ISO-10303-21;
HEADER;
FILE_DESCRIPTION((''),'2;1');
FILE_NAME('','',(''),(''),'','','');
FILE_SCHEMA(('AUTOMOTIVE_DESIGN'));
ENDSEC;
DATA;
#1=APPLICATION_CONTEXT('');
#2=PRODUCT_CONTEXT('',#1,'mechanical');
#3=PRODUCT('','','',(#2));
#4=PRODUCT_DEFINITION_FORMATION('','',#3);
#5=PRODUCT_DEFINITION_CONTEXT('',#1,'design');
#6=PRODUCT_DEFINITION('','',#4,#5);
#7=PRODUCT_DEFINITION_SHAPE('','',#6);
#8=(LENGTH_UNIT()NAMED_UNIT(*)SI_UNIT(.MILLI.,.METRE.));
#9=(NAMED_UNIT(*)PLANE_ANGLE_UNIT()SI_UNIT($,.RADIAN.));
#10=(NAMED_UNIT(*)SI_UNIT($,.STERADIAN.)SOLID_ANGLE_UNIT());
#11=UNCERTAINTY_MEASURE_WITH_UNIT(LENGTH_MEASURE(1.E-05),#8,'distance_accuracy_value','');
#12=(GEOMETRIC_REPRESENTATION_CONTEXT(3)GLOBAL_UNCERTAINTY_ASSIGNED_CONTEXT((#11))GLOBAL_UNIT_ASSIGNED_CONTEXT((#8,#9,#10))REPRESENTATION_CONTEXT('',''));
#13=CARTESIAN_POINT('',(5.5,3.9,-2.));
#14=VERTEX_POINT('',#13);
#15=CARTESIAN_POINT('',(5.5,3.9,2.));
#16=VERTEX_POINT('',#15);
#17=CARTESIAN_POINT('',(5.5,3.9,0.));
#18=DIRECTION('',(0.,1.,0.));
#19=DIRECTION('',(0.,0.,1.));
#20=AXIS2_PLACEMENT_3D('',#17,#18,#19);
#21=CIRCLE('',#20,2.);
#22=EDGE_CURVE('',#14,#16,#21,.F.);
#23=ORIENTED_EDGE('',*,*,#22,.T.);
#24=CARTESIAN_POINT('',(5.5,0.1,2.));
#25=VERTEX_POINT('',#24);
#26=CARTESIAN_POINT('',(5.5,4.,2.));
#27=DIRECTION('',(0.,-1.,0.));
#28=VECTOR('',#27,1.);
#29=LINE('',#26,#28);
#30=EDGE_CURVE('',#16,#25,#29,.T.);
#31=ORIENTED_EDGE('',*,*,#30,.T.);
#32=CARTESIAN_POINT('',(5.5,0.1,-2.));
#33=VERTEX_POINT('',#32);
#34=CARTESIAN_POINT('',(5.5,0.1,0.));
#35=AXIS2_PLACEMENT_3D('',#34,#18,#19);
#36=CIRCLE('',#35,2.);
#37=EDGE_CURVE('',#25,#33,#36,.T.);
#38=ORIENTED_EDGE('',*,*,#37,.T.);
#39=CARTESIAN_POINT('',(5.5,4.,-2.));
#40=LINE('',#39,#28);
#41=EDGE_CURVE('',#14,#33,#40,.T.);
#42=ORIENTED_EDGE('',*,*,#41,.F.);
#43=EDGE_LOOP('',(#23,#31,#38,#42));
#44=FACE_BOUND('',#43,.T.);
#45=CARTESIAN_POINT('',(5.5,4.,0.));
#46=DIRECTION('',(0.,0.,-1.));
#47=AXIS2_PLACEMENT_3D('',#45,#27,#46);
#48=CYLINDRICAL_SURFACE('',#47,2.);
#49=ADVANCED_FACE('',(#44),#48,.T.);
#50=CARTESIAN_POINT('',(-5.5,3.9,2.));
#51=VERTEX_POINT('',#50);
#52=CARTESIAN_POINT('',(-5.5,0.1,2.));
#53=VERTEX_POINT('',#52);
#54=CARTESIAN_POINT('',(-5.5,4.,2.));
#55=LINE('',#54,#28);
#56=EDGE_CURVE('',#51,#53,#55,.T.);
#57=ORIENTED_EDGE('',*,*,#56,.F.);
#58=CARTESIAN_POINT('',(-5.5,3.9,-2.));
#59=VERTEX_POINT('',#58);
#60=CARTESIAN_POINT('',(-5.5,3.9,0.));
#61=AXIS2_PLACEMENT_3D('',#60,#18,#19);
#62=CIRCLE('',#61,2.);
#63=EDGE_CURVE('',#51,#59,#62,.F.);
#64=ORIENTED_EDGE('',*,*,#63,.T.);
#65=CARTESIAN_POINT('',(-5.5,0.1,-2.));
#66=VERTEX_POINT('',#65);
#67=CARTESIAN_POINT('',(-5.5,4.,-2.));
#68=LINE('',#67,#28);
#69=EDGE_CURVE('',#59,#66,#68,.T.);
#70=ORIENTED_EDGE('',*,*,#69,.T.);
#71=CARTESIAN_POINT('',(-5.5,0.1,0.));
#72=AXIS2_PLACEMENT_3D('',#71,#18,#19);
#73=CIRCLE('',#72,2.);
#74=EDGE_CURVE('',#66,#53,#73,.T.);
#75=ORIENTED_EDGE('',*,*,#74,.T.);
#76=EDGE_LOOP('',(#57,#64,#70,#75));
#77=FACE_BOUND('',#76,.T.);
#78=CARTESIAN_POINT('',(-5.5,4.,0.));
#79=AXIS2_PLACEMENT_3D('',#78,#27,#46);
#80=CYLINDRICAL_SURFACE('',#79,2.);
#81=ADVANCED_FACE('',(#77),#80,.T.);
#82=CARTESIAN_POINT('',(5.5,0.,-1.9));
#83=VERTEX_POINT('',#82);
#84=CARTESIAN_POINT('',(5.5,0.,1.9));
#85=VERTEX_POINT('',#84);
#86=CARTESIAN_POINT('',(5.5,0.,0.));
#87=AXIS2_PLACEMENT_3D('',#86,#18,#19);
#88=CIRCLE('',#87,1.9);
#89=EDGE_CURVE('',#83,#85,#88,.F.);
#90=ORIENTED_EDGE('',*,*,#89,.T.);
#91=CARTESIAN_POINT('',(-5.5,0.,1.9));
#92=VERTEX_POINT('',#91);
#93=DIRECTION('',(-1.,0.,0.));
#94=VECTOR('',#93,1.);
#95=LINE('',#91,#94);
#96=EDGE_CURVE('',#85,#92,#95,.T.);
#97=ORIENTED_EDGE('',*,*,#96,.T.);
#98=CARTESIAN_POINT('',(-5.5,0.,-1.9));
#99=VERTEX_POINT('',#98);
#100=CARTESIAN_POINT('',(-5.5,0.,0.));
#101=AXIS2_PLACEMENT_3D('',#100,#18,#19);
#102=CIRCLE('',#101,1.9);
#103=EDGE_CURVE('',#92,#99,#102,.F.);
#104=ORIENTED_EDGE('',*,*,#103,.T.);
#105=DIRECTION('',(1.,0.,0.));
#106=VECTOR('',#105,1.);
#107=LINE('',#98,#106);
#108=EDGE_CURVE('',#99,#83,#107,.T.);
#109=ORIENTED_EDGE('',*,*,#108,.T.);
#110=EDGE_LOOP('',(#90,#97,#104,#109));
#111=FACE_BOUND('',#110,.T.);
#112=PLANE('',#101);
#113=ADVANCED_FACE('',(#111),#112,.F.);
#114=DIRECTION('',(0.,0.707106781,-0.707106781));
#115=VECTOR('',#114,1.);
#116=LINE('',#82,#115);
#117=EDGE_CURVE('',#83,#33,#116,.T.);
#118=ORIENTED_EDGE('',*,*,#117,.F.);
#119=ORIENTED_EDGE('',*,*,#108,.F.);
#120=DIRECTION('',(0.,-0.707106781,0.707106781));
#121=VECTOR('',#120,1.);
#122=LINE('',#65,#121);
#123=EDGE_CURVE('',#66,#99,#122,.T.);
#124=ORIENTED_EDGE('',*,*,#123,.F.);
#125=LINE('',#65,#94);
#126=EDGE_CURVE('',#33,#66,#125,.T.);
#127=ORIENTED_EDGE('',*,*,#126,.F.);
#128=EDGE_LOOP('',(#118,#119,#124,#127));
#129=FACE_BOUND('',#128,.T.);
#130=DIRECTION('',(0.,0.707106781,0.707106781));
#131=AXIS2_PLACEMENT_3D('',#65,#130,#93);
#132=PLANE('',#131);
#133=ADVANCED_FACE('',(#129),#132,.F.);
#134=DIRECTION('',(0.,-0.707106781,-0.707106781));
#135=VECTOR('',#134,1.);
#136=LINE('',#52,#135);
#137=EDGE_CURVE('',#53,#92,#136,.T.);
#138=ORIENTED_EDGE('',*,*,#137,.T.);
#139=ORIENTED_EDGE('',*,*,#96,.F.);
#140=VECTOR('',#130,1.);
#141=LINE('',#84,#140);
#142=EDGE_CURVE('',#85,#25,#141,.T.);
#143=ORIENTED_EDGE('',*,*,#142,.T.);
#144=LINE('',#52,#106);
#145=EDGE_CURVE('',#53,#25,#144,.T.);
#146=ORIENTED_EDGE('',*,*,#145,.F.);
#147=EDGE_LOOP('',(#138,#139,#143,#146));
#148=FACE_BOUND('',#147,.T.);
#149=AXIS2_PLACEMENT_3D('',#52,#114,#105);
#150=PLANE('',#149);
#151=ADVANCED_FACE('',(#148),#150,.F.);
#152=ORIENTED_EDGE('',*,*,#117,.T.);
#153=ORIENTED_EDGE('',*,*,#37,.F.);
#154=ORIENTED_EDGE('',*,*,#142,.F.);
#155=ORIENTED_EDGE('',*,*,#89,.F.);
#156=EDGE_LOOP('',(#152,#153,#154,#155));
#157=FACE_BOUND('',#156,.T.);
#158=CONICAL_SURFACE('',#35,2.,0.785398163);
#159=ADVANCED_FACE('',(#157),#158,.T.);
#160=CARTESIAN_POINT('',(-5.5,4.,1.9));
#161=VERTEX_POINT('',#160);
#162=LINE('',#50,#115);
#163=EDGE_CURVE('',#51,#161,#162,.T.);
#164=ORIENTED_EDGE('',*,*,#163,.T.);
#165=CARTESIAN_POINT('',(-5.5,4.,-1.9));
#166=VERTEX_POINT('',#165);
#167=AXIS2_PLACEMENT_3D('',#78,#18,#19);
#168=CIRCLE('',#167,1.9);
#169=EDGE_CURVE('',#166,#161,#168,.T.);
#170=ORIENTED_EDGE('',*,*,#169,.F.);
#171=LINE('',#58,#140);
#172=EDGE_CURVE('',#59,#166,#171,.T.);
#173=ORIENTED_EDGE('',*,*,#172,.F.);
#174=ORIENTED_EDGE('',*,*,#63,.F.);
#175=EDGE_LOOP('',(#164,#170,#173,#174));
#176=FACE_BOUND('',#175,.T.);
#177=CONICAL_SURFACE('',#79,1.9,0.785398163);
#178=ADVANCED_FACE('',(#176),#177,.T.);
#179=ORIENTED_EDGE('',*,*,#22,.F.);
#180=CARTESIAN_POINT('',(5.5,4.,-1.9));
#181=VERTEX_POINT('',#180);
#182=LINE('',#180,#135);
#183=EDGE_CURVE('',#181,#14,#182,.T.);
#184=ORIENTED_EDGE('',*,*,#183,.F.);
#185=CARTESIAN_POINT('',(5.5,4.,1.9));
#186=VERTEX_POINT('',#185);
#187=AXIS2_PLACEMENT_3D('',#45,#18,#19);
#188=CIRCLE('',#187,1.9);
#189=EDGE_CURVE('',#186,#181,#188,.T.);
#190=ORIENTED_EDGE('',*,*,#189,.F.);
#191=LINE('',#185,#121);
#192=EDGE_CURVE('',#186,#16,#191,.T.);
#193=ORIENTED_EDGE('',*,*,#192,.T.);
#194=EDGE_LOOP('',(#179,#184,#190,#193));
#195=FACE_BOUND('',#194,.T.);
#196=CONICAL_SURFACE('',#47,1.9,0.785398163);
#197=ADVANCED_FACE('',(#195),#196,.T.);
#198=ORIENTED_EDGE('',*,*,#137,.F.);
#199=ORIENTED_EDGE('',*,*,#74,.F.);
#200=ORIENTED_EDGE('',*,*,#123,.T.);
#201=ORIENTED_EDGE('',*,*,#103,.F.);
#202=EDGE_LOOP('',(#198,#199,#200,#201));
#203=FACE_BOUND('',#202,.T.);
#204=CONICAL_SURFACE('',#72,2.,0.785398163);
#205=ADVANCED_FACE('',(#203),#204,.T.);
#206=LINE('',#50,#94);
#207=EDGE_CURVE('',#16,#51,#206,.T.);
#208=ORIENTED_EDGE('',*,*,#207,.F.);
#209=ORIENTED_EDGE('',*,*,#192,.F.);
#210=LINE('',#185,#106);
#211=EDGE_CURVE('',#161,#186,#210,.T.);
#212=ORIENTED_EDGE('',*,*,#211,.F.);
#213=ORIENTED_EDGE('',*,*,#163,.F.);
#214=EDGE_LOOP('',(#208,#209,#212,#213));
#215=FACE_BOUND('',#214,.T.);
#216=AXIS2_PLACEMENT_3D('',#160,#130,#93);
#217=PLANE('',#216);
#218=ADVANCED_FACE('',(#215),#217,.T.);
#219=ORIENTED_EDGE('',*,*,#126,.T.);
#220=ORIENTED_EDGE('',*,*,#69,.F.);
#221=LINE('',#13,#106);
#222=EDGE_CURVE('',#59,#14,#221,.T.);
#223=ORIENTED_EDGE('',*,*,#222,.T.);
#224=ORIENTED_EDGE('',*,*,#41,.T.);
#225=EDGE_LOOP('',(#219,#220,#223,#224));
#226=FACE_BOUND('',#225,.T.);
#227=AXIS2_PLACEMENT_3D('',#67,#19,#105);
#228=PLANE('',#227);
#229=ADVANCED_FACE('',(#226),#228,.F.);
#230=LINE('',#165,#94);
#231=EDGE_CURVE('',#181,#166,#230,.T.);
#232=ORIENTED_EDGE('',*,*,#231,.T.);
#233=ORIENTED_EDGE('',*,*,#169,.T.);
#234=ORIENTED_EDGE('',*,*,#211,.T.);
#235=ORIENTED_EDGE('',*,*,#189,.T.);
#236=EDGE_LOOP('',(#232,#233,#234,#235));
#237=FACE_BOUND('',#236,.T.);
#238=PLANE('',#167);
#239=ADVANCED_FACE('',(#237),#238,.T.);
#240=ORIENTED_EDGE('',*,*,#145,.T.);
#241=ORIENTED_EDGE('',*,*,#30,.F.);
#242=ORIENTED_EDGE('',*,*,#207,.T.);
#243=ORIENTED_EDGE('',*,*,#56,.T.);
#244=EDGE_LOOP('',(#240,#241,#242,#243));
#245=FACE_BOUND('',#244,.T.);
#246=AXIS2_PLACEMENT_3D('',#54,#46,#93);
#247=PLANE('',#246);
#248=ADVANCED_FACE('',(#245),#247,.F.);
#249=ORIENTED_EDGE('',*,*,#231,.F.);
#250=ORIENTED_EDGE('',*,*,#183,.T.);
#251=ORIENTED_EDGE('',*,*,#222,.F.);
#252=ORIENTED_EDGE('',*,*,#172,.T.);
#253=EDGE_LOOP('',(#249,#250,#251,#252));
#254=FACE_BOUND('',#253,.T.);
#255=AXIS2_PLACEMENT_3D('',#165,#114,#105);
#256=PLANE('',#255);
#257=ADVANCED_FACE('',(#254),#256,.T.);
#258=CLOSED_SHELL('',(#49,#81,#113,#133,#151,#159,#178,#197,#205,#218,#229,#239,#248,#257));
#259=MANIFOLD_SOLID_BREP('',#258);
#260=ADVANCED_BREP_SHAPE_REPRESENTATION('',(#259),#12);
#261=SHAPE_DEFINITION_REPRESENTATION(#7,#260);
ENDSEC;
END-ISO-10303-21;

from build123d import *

# Parameters (mm, degrees)
BOSS_EXTRU_1_DEPTH = 4
CHANFREIN1_SIZE    = 0.1


with BuildPart() as part:
    # Esquisse1 → Boss.-Extru.1 (new body)
    with BuildSketch(Plane(origin=(0, 0, 0), x_dir=(1, 0, 0), z_dir=(0, 1, 0))):
        with BuildLine():
            Line((-5.5, 2), (5.5, 2))
            ThreePointArc((5.5, 2), (7.5, 0), (5.5, -2))
            Line((5.5, -2), (-5.5, -2))
            ThreePointArc((-5.5, -2), (-7.5, 0), (-5.5, 2))
        make_face()
    extrude(amount=BOSS_EXTRU_1_DEPTH)

    # Chanfrein1
    chanfrein1_edges = [part.edges().sort_by_distance(p)[0] for p in [
        (7.5, 4, 0),
        (0, 4, -2),
        (-7.5, 4, 0),
        (0, 0, -2),
        (7.5, 0, 0),
        (0, 0, 2),
        (-7.5, 0, 0),
        (0, 4, 2),
    ]]
    chamfer(chanfrein1_edges, length=CHANFREIN1_SIZE)


solid = part.part
